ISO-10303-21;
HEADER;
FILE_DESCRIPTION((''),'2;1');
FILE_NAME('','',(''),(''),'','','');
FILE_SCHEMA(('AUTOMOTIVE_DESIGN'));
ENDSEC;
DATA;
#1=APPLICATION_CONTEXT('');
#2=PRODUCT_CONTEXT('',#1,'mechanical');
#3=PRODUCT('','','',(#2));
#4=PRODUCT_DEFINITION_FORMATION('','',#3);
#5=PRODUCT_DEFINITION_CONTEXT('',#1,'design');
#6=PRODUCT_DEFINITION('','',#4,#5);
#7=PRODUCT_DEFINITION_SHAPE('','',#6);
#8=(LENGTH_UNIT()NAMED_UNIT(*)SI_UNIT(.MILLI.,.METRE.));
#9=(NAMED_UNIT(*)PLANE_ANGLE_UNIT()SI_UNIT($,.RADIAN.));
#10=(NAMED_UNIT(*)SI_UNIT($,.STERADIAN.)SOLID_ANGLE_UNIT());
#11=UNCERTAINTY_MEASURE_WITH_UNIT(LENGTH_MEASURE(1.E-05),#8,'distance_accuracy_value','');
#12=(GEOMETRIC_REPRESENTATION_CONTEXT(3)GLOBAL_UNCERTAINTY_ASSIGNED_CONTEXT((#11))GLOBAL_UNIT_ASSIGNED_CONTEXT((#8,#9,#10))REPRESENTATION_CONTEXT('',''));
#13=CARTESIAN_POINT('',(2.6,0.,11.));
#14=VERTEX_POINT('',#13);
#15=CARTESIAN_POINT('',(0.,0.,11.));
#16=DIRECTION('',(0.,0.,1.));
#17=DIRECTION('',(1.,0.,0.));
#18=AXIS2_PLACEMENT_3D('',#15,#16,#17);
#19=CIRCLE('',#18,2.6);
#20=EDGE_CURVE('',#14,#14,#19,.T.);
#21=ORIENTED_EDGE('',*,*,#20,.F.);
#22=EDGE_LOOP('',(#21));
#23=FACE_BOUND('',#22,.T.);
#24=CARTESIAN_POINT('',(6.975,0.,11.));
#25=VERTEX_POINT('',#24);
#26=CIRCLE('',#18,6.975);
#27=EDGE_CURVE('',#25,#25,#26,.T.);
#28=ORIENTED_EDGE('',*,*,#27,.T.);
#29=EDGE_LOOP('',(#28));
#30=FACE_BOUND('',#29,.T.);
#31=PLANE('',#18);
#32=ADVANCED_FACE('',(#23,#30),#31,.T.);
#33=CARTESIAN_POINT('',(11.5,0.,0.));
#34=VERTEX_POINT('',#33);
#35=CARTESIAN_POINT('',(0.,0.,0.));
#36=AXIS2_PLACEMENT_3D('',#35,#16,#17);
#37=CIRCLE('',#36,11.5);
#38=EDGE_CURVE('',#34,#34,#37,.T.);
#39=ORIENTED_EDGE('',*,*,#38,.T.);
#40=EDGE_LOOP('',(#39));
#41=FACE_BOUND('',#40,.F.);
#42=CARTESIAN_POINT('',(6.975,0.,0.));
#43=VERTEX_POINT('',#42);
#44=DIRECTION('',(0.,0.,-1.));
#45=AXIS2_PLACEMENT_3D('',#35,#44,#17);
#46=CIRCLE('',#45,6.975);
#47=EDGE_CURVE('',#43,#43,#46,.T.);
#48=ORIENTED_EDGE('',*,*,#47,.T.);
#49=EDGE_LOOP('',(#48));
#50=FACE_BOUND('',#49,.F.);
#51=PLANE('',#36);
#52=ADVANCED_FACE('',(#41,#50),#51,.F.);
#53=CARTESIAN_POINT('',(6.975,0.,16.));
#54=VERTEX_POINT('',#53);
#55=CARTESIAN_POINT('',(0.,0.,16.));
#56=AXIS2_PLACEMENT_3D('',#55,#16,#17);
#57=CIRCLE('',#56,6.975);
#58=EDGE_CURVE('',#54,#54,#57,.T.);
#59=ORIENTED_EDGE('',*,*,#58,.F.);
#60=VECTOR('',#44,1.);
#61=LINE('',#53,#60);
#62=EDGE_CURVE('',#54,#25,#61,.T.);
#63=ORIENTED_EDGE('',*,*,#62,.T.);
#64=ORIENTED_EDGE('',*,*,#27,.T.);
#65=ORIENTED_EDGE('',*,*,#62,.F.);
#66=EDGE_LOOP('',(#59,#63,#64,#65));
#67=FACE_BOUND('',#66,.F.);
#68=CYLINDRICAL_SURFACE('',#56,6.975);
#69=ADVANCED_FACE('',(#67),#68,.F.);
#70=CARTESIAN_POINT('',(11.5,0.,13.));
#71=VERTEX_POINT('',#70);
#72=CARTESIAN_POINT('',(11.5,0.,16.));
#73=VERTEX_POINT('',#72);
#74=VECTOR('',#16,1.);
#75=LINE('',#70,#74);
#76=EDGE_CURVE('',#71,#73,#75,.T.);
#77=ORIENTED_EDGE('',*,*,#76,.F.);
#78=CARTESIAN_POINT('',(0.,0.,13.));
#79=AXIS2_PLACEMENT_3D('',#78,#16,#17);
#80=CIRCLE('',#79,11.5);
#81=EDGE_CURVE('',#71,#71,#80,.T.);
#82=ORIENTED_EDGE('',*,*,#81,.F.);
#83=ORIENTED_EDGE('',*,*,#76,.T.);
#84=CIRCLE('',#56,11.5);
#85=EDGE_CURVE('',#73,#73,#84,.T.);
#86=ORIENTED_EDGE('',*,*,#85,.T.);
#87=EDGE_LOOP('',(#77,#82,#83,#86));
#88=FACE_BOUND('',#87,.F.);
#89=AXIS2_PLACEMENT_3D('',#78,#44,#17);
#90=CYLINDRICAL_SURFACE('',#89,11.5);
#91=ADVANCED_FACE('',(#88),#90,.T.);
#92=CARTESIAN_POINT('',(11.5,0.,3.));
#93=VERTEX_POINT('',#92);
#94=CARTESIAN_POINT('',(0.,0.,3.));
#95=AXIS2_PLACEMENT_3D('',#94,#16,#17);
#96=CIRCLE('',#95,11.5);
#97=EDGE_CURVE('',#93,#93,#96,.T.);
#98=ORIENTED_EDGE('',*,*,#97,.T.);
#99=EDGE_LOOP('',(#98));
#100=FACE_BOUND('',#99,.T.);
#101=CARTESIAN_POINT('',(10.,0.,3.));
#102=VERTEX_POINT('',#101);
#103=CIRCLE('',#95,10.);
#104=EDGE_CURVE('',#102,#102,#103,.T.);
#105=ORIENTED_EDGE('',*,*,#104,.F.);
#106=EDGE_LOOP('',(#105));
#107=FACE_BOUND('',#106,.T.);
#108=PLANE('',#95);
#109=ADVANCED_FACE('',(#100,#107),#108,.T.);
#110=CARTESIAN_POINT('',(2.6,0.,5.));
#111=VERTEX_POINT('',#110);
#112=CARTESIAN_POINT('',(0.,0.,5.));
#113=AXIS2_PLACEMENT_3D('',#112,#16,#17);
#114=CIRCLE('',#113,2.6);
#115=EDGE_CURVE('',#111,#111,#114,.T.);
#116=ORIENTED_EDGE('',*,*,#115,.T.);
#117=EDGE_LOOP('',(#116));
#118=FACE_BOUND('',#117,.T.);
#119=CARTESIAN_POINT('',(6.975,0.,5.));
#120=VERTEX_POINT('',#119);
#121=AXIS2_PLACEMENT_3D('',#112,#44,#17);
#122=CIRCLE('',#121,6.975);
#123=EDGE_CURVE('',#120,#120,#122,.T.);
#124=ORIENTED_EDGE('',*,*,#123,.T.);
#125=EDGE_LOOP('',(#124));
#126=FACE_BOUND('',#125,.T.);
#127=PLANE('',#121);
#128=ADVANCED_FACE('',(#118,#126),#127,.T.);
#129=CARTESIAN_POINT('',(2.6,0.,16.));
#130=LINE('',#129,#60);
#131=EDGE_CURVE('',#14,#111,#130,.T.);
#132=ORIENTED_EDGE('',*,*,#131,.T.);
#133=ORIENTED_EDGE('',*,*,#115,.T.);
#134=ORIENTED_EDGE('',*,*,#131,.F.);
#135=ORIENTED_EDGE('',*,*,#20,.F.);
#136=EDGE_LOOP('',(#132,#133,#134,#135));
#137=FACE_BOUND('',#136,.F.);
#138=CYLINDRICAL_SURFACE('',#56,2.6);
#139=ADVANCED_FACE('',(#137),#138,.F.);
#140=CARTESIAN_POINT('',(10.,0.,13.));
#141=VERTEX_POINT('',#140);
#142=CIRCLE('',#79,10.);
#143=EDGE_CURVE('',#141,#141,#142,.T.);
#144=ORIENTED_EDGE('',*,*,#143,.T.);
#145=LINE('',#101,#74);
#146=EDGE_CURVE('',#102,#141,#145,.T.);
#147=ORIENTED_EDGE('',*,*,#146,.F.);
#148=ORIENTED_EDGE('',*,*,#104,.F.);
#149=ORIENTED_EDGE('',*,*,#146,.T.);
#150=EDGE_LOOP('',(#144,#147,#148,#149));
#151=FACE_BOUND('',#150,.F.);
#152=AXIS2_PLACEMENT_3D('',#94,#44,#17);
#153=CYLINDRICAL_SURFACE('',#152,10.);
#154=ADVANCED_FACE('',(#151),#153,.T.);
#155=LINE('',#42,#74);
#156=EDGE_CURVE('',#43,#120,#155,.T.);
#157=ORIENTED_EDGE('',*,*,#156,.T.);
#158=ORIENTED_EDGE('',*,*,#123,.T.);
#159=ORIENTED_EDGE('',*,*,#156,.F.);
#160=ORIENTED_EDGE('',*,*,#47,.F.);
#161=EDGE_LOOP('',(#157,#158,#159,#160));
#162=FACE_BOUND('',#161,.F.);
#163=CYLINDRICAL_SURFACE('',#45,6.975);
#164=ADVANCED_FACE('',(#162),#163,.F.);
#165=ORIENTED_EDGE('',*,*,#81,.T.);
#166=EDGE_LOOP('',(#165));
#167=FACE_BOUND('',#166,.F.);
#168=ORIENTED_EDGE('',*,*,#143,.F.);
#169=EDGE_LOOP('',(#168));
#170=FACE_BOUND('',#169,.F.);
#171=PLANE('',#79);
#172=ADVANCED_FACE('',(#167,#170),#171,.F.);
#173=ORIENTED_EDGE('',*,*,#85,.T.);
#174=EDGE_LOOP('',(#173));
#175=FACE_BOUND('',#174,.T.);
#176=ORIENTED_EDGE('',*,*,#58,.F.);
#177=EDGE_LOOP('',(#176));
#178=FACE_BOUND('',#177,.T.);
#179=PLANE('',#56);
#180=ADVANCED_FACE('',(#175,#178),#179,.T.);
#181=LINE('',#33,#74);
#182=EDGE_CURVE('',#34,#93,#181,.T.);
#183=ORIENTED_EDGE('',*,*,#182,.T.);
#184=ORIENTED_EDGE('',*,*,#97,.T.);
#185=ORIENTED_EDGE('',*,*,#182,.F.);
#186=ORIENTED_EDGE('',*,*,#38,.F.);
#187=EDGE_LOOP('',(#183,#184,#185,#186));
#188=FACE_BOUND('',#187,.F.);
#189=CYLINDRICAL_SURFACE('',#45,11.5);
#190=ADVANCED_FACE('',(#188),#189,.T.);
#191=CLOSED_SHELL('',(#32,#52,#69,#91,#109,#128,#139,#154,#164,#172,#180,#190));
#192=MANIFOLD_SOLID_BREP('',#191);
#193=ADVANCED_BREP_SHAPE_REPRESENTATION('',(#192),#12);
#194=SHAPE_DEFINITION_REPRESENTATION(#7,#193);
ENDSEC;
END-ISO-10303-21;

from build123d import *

# Parameters (mm, degrees)
SKETCH_R        = 11.5
PAD_DEPTH       = 3
SKETCH001_R     = 10
PAD001_DEPTH    = 10
SKETCH002_R     = 11.5
PAD002_DEPTH    = 3
SKETCH003_R     = 2.6
POCKET_DEPTH    = 16
SKETCH004_R     = 6.975
POCKET001_DEPTH = 5
SKETCH005_R     = 6.975
POCKET002_DEPTH = 5


with BuildPart() as part:
    # Sketch → Pad (new body)
    with BuildSketch(Plane.XY):
        Circle(SKETCH_R)
    extrude(amount=PAD_DEPTH)

    # Sketch001 (on Face3 of Pad) → Pad001 (join)
    with BuildSketch(Plane.XY.offset(3)):
        Circle(SKETCH001_R)
    extrude(amount=PAD001_DEPTH)

    # Sketch002 (on Face5 of Pad001) → Pad002 (join)
    with BuildSketch(Plane.XY.offset(13)):
        Circle(SKETCH002_R)
    extrude(amount=PAD002_DEPTH)

    # Sketch003 (on Face3 of Pad002) → Pocket (cut)
    with BuildSketch(Plane.XY.offset(16)):
        Circle(SKETCH003_R)
    extrude(amount=-POCKET_DEPTH, mode=Mode.SUBTRACT)

    # Sketch004 (on Face3 of Pocket) → Pocket001 (cut)
    with BuildSketch(Plane.XY.offset(16)):
        Circle(SKETCH004_R)
    extrude(amount=-POCKET001_DEPTH, mode=Mode.SUBTRACT)

    # Sketch005 (on Face10 of Pocket001) → Pocket002 (cut)
    with BuildSketch(Plane(origin=(0, 0, 0), x_dir=(1, 0, 0), z_dir=(0, 0, -1))):
        Circle(SKETCH005_R)
    extrude(amount=-POCKET002_DEPTH, mode=Mode.SUBTRACT)


solid = part.part
